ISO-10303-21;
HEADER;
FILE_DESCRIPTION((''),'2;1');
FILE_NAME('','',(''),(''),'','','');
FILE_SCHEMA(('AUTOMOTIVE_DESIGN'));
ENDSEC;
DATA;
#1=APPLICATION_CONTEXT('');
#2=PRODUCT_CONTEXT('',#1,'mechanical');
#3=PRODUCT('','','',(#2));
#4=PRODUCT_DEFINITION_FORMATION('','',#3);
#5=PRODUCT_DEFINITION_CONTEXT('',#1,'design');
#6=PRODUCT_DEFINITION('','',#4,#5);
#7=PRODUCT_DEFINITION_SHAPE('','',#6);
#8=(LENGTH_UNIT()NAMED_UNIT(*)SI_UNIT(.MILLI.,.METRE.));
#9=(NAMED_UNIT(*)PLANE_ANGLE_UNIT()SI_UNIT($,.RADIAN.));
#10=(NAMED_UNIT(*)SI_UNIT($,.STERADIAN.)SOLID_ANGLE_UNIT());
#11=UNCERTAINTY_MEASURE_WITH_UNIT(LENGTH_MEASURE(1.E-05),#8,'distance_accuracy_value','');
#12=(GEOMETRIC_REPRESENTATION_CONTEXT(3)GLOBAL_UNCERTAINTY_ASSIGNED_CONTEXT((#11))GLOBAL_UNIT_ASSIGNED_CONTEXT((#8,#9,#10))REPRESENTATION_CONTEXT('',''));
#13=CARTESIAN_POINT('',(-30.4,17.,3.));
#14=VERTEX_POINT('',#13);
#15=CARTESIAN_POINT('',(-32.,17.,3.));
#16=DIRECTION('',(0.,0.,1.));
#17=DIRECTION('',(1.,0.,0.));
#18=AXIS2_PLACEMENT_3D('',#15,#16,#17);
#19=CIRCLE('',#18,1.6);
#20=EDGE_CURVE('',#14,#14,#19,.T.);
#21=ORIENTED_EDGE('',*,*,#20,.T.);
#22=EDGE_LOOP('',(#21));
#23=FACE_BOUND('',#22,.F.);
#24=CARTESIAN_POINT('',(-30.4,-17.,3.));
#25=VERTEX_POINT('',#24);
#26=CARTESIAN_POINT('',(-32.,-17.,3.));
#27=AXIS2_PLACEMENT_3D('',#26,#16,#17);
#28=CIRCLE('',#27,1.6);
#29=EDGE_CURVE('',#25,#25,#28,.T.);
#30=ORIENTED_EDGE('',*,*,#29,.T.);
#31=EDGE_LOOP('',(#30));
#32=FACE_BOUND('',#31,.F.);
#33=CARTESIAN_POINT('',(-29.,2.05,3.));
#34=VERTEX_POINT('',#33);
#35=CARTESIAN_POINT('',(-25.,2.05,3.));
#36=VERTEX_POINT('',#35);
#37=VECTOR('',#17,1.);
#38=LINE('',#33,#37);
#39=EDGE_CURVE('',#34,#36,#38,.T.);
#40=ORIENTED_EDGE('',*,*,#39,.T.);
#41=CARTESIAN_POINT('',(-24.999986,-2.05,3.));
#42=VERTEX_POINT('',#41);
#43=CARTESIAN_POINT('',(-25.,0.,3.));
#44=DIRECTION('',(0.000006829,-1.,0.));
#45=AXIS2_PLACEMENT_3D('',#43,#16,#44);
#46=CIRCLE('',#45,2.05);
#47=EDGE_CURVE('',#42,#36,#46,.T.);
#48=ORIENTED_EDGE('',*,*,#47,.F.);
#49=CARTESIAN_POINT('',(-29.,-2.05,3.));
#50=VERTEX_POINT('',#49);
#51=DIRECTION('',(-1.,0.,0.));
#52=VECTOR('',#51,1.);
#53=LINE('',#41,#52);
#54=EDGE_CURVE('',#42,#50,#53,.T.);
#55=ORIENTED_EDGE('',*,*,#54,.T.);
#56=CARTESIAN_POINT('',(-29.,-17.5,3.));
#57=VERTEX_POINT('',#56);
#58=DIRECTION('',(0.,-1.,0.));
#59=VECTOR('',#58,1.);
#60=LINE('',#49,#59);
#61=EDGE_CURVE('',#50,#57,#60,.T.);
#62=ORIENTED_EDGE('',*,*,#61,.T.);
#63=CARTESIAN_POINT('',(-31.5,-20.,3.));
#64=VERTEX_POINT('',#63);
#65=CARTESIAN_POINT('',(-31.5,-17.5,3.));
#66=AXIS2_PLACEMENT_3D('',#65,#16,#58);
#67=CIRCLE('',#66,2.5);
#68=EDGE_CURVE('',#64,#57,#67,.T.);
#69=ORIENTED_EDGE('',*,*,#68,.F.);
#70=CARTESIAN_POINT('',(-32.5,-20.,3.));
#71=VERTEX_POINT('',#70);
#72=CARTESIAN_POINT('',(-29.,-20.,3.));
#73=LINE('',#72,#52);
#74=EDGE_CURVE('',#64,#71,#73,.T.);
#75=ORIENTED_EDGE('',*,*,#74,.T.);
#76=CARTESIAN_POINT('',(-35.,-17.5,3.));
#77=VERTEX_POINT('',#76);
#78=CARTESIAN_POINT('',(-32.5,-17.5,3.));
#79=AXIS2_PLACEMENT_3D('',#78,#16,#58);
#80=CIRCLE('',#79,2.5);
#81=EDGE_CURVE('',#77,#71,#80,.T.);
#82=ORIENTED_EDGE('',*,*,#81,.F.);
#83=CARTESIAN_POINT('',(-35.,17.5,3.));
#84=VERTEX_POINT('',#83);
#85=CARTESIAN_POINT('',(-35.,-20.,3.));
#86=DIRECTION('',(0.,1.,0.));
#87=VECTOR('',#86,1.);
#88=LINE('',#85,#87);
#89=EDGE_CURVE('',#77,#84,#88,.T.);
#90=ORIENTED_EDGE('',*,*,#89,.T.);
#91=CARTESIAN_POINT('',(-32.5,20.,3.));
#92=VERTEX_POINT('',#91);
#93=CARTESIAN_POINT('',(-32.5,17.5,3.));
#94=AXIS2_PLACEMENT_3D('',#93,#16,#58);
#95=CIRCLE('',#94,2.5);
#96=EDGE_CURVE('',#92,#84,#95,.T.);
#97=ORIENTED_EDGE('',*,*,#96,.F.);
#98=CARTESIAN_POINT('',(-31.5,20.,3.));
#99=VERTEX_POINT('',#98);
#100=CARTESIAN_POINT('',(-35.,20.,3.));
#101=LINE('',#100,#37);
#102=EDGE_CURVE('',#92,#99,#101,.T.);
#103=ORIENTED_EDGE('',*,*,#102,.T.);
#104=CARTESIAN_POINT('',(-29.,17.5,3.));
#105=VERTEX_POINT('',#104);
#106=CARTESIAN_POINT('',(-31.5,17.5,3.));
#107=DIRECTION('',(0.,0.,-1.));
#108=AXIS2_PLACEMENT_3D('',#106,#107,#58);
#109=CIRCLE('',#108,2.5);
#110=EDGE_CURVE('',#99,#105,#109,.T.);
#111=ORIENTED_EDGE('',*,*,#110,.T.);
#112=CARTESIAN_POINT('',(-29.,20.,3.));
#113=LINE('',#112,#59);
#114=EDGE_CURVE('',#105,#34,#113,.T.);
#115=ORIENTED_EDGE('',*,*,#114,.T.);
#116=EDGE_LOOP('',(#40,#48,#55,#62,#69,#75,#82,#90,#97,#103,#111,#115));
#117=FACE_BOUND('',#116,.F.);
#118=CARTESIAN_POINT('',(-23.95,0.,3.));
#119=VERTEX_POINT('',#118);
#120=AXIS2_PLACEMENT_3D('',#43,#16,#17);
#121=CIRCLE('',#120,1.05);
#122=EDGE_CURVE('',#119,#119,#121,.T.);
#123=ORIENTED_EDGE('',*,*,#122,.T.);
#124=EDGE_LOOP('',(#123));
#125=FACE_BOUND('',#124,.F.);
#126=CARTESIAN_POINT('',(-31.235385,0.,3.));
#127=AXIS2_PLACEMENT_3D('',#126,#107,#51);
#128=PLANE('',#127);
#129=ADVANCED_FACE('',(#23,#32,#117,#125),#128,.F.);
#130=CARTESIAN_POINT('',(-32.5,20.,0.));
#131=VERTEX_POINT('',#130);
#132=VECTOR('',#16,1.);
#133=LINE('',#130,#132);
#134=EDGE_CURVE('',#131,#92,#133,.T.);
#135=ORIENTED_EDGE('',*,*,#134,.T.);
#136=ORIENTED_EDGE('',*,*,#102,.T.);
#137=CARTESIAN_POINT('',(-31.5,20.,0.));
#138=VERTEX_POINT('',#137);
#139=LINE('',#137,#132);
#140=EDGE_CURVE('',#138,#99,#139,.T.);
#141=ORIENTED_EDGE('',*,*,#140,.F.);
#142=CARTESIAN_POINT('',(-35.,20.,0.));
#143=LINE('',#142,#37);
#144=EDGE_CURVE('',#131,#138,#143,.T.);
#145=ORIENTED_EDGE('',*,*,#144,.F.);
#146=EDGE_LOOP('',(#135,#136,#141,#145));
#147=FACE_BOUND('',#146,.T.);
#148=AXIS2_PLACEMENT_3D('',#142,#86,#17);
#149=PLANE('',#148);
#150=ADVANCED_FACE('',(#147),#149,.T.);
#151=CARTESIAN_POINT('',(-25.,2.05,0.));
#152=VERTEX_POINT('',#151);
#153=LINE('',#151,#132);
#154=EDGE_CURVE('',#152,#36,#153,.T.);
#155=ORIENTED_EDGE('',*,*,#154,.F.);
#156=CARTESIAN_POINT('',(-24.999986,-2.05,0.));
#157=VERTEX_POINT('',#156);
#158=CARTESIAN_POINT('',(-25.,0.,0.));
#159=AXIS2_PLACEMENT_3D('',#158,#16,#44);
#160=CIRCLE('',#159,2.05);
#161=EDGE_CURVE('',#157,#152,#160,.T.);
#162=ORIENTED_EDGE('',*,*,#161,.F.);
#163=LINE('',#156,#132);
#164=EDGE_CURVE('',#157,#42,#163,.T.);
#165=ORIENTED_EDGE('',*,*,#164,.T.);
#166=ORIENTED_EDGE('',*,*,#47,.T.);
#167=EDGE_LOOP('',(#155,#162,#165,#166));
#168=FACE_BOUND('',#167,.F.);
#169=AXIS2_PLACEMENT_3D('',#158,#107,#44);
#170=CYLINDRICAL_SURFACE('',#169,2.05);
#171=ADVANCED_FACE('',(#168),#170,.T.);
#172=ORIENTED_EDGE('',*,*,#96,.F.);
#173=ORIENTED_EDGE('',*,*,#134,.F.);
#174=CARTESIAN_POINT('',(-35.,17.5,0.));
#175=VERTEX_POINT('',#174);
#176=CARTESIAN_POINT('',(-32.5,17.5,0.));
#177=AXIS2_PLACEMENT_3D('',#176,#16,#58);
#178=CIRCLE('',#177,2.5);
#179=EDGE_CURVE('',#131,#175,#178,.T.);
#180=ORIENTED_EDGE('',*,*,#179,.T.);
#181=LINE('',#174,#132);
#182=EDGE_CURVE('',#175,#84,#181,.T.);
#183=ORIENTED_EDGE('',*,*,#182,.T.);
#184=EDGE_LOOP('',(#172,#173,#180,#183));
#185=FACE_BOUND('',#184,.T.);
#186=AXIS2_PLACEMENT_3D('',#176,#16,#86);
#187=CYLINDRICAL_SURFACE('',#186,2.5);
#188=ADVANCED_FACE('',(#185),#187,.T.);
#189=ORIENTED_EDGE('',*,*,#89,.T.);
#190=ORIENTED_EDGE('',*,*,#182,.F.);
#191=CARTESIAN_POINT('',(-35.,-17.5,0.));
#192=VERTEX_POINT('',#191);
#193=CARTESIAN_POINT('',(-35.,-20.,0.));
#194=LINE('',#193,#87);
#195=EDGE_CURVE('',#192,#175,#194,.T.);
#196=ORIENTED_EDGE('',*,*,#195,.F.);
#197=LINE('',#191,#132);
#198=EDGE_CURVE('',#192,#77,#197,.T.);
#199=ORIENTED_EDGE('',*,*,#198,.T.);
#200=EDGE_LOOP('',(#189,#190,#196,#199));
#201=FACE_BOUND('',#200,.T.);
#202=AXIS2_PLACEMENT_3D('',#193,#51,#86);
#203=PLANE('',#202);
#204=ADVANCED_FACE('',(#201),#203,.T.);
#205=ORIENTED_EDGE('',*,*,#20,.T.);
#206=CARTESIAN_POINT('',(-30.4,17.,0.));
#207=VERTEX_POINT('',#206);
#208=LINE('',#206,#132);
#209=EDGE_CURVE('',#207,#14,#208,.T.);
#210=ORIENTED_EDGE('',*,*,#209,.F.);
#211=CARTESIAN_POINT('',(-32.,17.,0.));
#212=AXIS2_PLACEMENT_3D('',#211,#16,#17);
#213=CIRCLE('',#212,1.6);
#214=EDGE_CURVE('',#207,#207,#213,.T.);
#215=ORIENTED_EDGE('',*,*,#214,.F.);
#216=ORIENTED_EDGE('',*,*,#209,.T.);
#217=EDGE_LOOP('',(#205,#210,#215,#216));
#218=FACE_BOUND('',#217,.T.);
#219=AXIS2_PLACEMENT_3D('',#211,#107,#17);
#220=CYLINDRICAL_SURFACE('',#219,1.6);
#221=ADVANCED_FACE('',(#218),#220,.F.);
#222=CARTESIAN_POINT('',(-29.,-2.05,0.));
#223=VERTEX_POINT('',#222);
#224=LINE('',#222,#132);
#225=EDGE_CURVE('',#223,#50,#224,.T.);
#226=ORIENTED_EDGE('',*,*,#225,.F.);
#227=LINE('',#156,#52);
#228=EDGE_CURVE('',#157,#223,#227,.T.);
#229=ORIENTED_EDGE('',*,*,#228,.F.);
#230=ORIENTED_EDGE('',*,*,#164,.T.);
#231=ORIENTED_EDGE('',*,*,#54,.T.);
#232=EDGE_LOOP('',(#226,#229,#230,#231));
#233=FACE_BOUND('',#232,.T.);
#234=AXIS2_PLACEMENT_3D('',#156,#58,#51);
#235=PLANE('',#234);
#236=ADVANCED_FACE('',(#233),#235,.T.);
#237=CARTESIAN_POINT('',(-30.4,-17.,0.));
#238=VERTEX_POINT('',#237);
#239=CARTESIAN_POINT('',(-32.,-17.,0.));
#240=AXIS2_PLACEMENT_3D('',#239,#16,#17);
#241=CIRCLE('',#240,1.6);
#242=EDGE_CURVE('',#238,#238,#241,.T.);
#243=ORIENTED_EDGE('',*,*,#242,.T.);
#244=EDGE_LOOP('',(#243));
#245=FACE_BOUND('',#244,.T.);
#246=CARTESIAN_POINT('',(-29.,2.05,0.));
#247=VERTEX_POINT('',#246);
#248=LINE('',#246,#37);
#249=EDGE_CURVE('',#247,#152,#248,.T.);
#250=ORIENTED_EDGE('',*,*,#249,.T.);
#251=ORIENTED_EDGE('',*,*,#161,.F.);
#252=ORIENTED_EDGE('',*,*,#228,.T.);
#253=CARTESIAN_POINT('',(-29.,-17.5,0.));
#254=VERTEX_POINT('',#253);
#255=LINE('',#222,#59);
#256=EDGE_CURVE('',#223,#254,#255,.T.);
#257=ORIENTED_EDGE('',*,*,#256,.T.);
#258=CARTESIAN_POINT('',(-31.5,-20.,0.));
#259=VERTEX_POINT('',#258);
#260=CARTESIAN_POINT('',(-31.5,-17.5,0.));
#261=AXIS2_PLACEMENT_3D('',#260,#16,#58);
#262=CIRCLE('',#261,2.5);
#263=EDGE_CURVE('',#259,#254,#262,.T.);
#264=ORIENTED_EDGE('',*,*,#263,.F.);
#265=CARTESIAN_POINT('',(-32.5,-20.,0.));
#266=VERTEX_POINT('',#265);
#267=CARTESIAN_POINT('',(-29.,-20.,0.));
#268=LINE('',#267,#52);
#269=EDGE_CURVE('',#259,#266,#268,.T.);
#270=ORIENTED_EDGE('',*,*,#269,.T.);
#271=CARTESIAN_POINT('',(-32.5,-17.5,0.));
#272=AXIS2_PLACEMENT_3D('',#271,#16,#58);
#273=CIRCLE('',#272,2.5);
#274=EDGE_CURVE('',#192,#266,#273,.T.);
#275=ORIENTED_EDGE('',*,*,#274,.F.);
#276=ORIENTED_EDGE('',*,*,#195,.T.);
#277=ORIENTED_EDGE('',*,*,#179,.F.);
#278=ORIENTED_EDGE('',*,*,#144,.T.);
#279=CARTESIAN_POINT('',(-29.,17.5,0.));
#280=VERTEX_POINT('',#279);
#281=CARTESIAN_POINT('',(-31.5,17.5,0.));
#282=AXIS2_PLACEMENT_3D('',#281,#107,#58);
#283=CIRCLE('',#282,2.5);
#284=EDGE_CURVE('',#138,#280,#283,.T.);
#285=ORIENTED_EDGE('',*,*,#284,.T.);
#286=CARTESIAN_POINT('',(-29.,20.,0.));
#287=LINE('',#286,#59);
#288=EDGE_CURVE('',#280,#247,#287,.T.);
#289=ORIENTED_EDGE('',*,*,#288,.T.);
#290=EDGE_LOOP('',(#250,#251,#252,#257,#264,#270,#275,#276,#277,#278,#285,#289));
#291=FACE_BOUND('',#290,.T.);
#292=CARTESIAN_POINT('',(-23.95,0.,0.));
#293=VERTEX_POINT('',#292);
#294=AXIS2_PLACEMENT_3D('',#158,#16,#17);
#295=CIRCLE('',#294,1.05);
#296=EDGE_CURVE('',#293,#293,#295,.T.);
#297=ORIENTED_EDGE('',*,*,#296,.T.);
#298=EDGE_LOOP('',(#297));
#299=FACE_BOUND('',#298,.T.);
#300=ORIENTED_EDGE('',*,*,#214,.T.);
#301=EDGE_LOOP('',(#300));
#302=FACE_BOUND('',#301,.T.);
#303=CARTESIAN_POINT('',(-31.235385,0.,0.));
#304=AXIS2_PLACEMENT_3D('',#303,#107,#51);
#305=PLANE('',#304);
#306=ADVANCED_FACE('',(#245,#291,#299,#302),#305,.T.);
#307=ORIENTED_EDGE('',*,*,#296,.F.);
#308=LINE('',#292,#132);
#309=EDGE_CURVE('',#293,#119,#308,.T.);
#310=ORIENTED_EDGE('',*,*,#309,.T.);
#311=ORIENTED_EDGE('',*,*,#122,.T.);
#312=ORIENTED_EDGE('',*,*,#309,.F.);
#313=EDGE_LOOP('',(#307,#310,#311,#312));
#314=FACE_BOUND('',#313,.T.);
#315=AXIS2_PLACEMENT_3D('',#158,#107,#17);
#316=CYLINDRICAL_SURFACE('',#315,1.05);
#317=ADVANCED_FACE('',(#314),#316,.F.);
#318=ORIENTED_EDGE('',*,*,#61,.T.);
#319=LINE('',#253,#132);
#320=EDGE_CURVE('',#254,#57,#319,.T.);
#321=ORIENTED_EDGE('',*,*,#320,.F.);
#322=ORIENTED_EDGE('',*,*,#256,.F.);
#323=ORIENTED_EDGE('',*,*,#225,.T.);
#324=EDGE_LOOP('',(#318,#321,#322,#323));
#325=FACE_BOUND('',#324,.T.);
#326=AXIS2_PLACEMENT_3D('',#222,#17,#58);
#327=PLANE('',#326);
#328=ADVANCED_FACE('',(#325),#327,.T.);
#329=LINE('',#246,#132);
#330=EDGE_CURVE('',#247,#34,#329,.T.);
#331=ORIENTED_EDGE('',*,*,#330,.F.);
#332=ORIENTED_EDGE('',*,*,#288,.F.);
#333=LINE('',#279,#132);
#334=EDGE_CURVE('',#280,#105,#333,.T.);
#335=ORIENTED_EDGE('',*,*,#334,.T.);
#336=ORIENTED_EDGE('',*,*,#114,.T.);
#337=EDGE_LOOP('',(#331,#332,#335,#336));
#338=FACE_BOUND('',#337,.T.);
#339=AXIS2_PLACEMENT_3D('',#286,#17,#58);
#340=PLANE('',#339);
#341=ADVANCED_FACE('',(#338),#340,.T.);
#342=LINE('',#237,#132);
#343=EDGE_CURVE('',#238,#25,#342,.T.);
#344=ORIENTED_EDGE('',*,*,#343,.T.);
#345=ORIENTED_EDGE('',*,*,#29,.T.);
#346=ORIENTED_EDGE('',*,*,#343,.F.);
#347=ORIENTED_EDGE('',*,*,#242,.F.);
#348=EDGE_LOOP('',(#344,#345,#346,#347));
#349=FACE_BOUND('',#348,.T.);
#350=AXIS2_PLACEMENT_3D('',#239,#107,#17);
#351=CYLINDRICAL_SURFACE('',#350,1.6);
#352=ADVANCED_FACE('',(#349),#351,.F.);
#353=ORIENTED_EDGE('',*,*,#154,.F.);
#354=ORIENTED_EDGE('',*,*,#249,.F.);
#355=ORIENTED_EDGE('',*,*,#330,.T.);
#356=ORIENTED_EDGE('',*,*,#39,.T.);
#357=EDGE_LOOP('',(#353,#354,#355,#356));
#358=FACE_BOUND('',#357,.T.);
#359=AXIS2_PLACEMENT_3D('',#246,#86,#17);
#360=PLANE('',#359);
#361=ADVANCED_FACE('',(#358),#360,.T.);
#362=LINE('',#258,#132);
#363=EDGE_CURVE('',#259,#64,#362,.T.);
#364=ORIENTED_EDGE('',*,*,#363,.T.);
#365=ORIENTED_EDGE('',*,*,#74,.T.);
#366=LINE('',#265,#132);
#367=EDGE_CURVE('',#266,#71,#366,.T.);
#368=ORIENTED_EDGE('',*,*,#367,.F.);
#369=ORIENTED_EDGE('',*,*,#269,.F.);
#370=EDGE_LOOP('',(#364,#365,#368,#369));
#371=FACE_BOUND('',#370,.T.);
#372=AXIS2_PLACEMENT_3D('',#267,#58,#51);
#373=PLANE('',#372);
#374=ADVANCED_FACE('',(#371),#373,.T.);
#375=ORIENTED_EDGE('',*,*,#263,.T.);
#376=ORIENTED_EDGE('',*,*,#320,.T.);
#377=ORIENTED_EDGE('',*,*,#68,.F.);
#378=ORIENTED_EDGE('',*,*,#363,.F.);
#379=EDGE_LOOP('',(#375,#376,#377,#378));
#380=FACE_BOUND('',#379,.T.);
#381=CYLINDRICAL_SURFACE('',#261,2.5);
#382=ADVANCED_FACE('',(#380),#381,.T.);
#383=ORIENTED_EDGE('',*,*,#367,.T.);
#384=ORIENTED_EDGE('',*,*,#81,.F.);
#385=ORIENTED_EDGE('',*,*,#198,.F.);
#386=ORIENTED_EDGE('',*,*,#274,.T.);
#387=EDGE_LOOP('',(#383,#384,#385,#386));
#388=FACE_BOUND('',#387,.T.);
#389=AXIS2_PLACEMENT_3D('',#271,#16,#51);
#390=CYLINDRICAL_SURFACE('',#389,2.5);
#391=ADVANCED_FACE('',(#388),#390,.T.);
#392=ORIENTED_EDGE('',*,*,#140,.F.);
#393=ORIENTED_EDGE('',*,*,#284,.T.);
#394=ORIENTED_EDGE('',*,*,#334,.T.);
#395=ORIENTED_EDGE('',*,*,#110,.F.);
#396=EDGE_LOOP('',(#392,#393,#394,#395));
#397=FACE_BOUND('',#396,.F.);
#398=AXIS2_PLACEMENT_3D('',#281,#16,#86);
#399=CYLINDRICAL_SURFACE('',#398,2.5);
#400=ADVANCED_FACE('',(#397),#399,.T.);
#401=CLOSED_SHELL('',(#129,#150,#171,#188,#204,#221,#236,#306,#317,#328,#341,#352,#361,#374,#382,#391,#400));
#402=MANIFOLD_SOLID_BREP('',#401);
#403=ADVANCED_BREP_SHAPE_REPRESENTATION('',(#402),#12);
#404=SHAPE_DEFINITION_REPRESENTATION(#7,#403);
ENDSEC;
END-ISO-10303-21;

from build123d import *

# Parameters (mm, degrees)
SKETCH_R   = 1.6
SKETCH_R_2 = 1.05
PAD_DEPTH  = 3
FILLET_R   = 2.5


with BuildPart() as part:
    # Sketch → Pad (new body)
    with BuildSketch(Plane.XY):
        with BuildLine():
            Line((-35, 20), (-29, 20))
            Line((-29, 20), (-29, 2.05))
            Line((-29, 2.05), (-25, 2.05))
            ThreePointArc((-24.999986, -2.05), (-22.95, 7e-06), (-25, 2.05))
            Line((-24.999986, -2.05), (-29, -2.05))
            Line((-29, -2.05), (-29, -20))
            Line((-29, -20), (-35, -20))
            Line((-35, -20), (-35, 20))
        make_face()
        with Locations((-32, 17)):
            Circle(SKETCH_R, mode=Mode.SUBTRACT)
        with Locations((-32, -17)):
            Circle(SKETCH_R, mode=Mode.SUBTRACT)
        with Locations((-25, 0)):
            Circle(SKETCH_R_2, mode=Mode.SUBTRACT)
    extrude(amount=PAD_DEPTH)

    # Fillet
    fillet_edges = [part.edges().sort_by_distance(p)[0] for p in [
        (-29, -20, 1.5),
        (-35, -20, 1.5),
        (-29, 20, 1.5),
        (-35, 20, 1.5),
    ]]
    fillet(fillet_edges, radius=FILLET_R)


solid = part.part
